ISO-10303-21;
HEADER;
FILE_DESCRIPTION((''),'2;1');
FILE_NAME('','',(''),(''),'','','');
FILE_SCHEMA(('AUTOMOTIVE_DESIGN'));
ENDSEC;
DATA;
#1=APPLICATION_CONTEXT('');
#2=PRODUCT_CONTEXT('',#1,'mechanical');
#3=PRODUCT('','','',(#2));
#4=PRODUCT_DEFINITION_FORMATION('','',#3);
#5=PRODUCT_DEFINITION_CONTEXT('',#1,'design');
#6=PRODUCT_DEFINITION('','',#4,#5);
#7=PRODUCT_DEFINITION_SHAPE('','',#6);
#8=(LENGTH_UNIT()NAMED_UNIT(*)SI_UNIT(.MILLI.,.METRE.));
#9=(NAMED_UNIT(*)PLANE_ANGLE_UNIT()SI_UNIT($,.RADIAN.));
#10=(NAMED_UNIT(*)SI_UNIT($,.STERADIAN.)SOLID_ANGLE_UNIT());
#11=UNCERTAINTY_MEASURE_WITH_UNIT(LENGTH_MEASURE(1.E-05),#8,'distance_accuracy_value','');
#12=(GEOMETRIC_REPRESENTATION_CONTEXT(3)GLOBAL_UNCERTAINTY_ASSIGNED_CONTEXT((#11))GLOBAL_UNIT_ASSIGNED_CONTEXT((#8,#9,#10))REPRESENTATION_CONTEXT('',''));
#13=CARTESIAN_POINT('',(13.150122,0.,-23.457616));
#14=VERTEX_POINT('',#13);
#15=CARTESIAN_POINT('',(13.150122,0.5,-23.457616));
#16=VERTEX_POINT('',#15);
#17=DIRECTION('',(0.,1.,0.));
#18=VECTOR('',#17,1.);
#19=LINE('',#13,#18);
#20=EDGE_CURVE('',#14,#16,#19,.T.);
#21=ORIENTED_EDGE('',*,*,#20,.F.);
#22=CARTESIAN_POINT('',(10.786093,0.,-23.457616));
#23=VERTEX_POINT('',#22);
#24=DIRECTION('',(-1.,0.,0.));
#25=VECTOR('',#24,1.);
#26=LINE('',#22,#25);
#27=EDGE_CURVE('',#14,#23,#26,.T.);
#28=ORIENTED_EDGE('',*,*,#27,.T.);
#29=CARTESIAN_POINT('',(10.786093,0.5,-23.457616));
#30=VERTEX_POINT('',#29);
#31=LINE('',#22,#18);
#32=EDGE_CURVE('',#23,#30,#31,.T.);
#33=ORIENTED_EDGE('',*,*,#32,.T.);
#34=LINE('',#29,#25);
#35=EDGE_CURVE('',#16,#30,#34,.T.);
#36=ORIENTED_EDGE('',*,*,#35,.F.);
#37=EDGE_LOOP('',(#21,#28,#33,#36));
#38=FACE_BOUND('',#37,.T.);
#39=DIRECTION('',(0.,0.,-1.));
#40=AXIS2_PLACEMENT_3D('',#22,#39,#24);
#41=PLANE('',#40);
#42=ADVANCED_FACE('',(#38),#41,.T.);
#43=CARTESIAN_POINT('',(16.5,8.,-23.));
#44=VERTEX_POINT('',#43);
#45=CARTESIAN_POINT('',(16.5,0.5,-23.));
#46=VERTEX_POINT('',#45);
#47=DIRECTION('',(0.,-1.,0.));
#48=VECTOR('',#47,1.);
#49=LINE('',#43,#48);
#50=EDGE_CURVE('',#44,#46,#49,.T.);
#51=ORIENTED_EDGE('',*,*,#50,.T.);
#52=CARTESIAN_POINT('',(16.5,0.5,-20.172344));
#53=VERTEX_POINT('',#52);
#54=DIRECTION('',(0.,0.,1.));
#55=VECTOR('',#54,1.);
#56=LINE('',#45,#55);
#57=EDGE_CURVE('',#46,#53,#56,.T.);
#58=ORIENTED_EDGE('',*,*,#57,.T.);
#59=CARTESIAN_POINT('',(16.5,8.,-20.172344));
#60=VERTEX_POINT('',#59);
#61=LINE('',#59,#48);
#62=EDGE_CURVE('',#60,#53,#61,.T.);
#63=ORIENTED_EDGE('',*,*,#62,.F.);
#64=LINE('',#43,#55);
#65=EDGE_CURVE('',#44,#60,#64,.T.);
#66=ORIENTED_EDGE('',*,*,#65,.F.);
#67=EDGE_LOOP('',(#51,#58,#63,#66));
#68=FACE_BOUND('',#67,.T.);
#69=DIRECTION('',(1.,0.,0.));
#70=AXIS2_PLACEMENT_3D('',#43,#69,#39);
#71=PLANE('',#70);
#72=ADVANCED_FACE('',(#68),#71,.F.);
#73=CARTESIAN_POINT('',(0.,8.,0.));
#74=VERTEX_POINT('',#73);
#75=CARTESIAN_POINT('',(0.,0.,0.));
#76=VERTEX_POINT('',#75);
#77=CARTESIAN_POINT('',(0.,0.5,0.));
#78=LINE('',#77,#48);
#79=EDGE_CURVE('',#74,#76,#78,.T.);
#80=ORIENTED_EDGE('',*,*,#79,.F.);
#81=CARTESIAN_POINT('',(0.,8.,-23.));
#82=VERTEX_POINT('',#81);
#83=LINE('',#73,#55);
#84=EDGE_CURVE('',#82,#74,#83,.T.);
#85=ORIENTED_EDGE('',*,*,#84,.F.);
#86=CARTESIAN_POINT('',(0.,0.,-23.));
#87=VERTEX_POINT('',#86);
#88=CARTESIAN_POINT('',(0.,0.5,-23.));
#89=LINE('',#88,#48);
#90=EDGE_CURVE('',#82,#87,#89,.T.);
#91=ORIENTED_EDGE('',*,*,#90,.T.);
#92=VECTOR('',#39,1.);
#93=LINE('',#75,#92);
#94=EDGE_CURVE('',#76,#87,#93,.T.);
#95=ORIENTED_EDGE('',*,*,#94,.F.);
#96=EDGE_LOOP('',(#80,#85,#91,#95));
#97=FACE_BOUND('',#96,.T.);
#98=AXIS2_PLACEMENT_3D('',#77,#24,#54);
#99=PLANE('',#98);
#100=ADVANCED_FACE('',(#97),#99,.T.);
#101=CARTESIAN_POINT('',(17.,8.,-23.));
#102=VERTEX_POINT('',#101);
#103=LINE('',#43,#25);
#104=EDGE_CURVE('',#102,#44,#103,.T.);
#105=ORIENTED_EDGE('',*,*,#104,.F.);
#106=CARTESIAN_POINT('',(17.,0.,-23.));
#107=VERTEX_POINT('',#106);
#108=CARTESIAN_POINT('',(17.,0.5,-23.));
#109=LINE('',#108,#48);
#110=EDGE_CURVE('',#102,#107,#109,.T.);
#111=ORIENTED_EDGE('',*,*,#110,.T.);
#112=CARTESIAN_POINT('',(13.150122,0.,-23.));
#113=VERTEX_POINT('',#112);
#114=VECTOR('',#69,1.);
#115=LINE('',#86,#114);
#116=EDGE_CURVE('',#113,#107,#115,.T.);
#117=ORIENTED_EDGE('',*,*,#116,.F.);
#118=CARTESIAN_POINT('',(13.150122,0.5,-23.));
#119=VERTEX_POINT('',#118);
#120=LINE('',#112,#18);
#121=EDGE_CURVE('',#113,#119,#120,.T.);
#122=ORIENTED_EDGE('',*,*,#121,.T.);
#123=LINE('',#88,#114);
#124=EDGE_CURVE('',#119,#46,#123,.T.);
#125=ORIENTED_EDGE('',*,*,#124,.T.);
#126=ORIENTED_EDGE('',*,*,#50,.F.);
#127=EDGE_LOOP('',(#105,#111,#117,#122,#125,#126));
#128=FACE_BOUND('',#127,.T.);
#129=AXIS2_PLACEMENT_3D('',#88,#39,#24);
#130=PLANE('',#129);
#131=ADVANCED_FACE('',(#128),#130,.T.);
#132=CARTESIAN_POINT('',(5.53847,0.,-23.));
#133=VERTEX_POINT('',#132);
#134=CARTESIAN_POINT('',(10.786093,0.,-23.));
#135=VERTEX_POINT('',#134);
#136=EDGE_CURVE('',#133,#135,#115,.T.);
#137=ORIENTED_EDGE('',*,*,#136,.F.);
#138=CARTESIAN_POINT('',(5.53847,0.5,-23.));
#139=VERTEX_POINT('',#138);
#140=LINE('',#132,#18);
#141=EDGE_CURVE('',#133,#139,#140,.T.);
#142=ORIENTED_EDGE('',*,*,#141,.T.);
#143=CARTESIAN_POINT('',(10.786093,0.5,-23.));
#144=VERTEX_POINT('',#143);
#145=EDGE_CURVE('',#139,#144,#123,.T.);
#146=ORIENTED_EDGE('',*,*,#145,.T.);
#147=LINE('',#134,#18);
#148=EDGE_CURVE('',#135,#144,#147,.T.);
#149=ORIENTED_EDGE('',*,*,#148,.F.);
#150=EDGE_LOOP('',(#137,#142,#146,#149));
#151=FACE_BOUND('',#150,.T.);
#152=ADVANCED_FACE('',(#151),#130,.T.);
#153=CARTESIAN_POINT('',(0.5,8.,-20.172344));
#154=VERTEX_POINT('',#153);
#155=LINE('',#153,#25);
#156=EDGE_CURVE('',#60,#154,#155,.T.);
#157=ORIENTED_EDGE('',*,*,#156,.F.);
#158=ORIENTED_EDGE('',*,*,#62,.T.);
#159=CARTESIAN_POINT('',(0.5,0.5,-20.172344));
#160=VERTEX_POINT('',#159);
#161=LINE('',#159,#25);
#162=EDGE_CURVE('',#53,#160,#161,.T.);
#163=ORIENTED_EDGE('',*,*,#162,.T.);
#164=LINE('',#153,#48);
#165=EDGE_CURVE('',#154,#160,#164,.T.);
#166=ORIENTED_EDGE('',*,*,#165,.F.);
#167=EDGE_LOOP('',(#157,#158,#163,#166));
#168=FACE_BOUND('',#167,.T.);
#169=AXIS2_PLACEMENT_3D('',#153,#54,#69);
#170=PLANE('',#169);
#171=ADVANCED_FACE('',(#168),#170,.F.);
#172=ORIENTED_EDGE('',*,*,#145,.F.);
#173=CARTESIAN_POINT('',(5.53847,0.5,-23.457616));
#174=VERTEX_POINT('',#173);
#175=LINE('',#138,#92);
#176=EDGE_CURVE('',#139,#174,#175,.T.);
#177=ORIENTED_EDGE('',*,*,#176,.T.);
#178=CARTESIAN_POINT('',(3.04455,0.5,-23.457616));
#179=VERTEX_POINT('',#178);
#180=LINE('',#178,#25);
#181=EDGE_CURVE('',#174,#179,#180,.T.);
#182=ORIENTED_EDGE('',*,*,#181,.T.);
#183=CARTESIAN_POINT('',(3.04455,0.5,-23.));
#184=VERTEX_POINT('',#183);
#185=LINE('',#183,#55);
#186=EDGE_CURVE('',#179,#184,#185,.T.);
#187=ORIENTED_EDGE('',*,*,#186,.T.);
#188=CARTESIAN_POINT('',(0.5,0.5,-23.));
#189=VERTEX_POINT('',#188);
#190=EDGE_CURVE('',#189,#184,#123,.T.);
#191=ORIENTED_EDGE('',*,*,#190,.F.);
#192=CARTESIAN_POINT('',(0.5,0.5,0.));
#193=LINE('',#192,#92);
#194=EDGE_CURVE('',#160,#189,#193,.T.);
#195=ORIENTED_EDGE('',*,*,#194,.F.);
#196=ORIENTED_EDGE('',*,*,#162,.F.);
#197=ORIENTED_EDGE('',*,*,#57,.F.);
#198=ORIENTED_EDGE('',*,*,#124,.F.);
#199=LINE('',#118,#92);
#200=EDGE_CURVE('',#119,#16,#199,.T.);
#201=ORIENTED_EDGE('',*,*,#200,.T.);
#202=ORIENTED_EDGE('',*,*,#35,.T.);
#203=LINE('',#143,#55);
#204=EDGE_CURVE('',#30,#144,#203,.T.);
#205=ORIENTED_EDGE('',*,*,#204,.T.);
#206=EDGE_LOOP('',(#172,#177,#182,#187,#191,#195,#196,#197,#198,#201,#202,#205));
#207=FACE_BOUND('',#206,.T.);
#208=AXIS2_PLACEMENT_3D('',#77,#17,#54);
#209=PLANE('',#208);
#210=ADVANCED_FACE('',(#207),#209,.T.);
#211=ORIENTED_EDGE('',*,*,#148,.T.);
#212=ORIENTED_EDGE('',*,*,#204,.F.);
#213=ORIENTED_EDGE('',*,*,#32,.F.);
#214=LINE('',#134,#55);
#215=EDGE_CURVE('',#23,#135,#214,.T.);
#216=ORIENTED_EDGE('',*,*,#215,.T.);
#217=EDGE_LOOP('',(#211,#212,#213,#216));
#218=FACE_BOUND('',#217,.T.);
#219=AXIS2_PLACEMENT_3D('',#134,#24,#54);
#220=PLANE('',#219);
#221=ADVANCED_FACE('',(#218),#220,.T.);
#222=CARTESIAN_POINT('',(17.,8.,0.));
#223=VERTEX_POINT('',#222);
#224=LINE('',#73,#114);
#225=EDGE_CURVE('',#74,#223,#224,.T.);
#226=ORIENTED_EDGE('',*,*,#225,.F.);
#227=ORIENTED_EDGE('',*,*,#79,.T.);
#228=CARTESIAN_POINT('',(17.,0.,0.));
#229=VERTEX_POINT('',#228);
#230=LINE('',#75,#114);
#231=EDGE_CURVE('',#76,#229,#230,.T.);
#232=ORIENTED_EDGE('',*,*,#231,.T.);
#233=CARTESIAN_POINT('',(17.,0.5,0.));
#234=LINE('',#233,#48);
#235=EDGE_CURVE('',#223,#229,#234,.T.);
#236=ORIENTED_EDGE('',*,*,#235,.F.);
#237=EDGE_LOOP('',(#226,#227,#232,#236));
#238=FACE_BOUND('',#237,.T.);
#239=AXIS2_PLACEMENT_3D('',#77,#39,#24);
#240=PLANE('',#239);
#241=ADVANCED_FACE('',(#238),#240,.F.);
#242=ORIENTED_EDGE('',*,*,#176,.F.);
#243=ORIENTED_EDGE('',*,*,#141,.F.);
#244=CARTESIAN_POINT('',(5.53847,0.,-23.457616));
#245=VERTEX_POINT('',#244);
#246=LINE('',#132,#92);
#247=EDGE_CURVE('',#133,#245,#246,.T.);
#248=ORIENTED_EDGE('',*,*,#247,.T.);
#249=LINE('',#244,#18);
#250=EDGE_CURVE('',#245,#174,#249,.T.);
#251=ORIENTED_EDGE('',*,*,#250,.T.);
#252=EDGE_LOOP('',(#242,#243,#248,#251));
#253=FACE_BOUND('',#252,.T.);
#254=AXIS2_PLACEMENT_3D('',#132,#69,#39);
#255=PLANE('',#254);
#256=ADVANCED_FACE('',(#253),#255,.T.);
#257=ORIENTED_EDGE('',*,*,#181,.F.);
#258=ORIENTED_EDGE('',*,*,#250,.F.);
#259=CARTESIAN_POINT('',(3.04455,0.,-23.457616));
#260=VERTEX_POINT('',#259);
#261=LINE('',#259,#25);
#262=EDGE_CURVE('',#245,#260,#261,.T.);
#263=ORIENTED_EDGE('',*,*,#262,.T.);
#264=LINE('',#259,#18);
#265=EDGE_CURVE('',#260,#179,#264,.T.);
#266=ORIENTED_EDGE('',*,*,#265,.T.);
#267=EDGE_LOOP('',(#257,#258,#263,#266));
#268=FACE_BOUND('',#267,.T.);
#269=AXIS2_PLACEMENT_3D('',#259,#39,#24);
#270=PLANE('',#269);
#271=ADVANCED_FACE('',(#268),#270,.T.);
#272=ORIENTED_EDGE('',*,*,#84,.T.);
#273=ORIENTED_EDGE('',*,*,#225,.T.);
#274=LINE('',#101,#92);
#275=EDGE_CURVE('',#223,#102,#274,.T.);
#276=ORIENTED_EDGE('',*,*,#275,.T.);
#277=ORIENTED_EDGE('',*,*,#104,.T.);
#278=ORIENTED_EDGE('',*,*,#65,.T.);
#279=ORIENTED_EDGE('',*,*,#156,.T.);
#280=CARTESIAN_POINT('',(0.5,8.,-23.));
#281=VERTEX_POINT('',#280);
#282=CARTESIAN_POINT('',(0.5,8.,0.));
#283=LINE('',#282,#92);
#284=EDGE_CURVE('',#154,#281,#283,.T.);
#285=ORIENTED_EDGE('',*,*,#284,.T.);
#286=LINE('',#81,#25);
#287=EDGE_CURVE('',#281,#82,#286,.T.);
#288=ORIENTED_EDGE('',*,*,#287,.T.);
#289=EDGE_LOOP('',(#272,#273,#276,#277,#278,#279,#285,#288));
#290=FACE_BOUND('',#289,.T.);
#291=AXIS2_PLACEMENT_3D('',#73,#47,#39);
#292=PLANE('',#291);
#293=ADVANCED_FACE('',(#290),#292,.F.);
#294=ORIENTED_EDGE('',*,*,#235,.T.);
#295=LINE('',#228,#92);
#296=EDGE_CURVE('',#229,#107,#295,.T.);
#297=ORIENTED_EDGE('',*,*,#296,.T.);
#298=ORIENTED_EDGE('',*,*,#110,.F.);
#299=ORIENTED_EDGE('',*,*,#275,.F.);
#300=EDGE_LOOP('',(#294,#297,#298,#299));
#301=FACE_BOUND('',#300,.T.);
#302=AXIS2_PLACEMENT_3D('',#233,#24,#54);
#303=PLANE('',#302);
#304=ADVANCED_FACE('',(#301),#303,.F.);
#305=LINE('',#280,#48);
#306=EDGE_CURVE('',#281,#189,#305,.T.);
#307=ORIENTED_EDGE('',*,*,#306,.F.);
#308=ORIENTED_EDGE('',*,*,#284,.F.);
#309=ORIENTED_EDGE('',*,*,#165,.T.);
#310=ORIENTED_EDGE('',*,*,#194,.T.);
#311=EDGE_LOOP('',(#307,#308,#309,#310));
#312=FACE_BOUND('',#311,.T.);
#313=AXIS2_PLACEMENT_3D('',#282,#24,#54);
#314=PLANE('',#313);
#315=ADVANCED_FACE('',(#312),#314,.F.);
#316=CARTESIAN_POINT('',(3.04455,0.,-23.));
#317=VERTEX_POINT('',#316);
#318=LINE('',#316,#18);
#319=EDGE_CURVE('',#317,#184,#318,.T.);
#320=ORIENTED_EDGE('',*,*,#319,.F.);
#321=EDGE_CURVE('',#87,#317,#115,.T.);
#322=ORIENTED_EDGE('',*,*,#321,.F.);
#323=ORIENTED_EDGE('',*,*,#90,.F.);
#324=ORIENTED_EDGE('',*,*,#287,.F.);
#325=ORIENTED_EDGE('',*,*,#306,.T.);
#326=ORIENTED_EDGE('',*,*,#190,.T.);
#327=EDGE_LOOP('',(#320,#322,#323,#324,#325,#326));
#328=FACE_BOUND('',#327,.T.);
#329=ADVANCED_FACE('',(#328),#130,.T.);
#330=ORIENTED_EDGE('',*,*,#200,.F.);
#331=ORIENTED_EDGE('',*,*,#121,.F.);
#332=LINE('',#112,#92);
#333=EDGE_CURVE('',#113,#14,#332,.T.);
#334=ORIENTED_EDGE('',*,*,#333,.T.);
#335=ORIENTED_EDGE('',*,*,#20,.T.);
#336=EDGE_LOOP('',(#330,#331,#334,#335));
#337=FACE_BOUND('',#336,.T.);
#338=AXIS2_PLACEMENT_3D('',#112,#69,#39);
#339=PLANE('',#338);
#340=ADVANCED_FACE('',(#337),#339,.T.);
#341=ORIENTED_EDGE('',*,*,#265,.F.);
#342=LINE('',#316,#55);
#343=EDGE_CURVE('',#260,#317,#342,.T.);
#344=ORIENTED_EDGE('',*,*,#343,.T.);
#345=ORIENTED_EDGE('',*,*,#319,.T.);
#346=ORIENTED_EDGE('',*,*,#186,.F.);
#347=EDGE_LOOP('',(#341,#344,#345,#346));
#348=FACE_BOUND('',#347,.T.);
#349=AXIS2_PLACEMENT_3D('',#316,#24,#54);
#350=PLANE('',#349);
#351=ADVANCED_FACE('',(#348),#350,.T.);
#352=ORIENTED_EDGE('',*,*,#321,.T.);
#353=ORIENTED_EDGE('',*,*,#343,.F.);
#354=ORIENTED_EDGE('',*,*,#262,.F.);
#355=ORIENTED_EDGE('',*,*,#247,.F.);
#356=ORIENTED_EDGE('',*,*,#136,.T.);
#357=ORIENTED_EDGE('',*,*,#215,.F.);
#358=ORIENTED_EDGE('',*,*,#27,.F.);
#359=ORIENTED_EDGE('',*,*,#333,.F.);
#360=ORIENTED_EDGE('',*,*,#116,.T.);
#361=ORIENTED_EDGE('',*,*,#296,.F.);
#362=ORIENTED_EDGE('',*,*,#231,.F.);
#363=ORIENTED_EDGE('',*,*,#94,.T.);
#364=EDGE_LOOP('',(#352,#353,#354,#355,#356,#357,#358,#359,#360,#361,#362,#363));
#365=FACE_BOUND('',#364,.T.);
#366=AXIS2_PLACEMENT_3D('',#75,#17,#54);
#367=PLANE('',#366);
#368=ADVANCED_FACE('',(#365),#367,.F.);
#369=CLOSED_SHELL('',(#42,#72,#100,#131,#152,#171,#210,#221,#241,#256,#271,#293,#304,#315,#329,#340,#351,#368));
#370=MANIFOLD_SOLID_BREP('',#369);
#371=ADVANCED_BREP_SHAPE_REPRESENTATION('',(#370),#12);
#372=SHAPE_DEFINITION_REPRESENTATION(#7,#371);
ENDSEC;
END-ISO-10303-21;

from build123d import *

# Parameters (mm, degrees)
SKETCH_1_W      = 17
SKETCH_1_H      = 23
EXTRUDE_1_DEPTH = 0.5
SKETCH_2_W      = 0.5
SKETCH_2_H      = 23
EXTRUDE_2_DEPTH = 7.5
SKETCH_3_W      = 16
SKETCH_3_H      = 20.172343548
EXTRUDE_3_DEPTH = 7.5
SKETCH_4_W      = 2.493920062
SKETCH_4_H      = 0.457616149
SKETCH_4_W_2    = 2.364028392
EXTRUDE_4_DEPTH = 0.5


with BuildPart() as part:
    # 草图1 → 凸台-拉伸1 (new body)
    with BuildSketch(Plane(origin=(0, 0, 0), x_dir=(1, 0, 0), z_dir=(0, 1, 0))):
        with Locations((8.5, 11.5)):
            Rectangle(SKETCH_1_W, SKETCH_1_H)
    extrude(amount=EXTRUDE_1_DEPTH)

    # 草图2 → 凸台-拉伸2 (add)
    with BuildSketch(Plane(origin=(0, 0.5, 0), x_dir=(1, 0, 0), z_dir=(0, 1, 0))):
        with Locations((0.25, 11.5)):
            Rectangle(SKETCH_2_W, SKETCH_2_H)
        with Locations((16.75, 11.5)):
            Rectangle(SKETCH_2_W, SKETCH_2_H)
    extrude(amount=EXTRUDE_2_DEPTH)

    # 草图3 → 凸台-拉伸3 (add)
    with BuildSketch(Plane(origin=(0, 0.5, 0), x_dir=(1, 0, 0), z_dir=(0, 1, 0))):
        with Locations((8.5, 10.086171774)):
            Rectangle(SKETCH_3_W, SKETCH_3_H)
    extrude(amount=EXTRUDE_3_DEPTH)

    # 草图4 → 凸台-拉伸4 (add)
    with BuildSketch(Plane(origin=(0, 0.5, 0), x_dir=(1, 0, 0), z_dir=(0, 1, 0))):
        with Locations((4.291509895, 23.228808075)):
            Rectangle(SKETCH_4_W, SKETCH_4_H)
        with Locations((11.968107586, 23.228808075)):
            Rectangle(SKETCH_4_W_2, SKETCH_4_H)
    extrude(amount=-EXTRUDE_4_DEPTH)


solid = part.part
